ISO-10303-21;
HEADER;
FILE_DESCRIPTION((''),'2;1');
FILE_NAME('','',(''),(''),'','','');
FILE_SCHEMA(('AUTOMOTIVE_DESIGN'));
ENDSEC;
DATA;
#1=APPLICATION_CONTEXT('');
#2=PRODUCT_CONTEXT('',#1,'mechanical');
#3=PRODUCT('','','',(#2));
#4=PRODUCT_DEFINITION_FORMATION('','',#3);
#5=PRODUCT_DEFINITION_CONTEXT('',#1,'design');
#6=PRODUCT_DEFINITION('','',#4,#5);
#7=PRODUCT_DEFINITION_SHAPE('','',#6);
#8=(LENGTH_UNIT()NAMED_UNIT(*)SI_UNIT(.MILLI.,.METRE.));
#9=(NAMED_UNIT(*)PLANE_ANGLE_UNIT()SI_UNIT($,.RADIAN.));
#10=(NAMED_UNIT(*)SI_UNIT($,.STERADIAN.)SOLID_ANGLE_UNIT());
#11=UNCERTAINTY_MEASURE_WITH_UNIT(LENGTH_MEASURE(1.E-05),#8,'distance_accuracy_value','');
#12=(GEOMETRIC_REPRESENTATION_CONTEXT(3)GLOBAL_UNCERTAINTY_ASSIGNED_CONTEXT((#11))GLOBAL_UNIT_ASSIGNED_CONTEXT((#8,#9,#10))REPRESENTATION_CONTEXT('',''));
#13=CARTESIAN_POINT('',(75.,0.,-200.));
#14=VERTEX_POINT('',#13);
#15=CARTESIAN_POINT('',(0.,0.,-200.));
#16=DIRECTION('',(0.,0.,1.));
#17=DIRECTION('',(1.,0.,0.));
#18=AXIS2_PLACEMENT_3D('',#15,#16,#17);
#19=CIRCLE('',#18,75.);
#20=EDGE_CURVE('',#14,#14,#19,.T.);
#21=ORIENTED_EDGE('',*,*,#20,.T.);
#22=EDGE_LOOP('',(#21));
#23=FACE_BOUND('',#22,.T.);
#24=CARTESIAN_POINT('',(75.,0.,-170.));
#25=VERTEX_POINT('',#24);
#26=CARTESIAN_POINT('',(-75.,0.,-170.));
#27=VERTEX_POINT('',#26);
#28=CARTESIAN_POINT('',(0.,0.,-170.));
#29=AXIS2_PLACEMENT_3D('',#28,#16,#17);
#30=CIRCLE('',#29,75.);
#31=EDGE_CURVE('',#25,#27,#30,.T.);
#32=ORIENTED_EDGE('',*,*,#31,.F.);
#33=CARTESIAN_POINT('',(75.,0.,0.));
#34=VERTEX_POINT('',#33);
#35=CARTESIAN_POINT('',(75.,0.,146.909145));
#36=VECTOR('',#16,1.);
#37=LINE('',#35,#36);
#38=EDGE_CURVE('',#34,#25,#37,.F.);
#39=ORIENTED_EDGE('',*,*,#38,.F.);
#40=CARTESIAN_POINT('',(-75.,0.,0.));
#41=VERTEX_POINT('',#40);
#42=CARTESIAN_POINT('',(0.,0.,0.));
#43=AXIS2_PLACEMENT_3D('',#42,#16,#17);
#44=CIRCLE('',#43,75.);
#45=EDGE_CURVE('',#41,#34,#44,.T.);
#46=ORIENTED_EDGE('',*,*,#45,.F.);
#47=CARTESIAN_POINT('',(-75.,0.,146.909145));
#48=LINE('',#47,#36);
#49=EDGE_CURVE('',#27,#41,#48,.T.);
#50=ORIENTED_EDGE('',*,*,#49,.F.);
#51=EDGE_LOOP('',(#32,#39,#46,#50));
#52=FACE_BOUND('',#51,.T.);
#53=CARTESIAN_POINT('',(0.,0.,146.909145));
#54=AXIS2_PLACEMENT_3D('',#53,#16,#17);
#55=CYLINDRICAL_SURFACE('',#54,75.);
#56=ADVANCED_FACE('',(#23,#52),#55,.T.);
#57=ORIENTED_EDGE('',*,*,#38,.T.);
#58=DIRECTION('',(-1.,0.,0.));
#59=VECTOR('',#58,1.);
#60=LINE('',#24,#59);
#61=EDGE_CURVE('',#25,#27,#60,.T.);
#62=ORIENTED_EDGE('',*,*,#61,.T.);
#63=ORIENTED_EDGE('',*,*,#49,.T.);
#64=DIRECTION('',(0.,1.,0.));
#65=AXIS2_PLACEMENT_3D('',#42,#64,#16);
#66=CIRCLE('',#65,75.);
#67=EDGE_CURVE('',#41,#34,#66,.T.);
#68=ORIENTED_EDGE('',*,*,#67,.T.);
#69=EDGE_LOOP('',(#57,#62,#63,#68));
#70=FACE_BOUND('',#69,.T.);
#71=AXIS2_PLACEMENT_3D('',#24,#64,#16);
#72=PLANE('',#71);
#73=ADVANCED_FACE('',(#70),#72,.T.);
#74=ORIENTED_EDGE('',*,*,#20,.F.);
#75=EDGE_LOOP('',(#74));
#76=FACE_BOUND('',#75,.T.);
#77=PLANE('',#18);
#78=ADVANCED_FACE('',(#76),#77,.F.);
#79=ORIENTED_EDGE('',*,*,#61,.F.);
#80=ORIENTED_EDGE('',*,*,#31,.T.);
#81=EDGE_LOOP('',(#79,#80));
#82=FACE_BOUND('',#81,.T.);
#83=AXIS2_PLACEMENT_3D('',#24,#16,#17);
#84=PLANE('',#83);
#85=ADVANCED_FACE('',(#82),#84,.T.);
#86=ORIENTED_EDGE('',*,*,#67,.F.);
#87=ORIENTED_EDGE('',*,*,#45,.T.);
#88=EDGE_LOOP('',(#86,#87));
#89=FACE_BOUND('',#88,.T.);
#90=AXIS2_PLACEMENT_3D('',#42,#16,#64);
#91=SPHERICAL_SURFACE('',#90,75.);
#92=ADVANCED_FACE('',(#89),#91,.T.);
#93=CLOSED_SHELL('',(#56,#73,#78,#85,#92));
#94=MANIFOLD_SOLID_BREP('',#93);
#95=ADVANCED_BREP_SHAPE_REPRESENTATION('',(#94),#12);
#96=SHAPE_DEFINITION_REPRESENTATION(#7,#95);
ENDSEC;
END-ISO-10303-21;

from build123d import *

# Parameters (mm, degrees)
CUT_EXTRUDE1_DEPTH      = 76
CUT_EXTRUDE1_DEPTH_BACK = 76


with BuildPart() as part:
    # Sketch1 → Revolve1 (revolve)
    with BuildSketch(Plane(origin=(0, 0, 0), x_dir=(0, 0, -1), z_dir=(1, 0, 0))):
        with BuildLine():
            Line((200, 0), (-75, 0))
            ThreePointArc((-75, 0), (-53.033008589, 53.033008589), (0, 75))
            Line((0, 75), (200, 75))
            Line((200, 75), (200, 0))
        make_face()
    revolve(axis=Axis((0, 0, 146.909145291), (0, 0, -1)))

    # Sketch2 → Cut-Extrude1 (cut, two sides)
    with BuildSketch(Plane(origin=(0, 0, 0), x_dir=(0, 0, -1), z_dir=(1, 0, 0))) as cut_extrude1_sk:
        with BuildLine():
            Line((170, 0), (170, 75))
            Line((170, 75), (0, 75))
            ThreePointArc((0, 75), (-53.033008589, 53.033008589), (-75, 0))
            Line((-75, 0), (170, 0))
        make_face()
    extrude(amount=CUT_EXTRUDE1_DEPTH, mode=Mode.SUBTRACT)
    extrude(cut_extrude1_sk.sketch, amount=-CUT_EXTRUDE1_DEPTH_BACK, mode=Mode.SUBTRACT)


solid = part.part
